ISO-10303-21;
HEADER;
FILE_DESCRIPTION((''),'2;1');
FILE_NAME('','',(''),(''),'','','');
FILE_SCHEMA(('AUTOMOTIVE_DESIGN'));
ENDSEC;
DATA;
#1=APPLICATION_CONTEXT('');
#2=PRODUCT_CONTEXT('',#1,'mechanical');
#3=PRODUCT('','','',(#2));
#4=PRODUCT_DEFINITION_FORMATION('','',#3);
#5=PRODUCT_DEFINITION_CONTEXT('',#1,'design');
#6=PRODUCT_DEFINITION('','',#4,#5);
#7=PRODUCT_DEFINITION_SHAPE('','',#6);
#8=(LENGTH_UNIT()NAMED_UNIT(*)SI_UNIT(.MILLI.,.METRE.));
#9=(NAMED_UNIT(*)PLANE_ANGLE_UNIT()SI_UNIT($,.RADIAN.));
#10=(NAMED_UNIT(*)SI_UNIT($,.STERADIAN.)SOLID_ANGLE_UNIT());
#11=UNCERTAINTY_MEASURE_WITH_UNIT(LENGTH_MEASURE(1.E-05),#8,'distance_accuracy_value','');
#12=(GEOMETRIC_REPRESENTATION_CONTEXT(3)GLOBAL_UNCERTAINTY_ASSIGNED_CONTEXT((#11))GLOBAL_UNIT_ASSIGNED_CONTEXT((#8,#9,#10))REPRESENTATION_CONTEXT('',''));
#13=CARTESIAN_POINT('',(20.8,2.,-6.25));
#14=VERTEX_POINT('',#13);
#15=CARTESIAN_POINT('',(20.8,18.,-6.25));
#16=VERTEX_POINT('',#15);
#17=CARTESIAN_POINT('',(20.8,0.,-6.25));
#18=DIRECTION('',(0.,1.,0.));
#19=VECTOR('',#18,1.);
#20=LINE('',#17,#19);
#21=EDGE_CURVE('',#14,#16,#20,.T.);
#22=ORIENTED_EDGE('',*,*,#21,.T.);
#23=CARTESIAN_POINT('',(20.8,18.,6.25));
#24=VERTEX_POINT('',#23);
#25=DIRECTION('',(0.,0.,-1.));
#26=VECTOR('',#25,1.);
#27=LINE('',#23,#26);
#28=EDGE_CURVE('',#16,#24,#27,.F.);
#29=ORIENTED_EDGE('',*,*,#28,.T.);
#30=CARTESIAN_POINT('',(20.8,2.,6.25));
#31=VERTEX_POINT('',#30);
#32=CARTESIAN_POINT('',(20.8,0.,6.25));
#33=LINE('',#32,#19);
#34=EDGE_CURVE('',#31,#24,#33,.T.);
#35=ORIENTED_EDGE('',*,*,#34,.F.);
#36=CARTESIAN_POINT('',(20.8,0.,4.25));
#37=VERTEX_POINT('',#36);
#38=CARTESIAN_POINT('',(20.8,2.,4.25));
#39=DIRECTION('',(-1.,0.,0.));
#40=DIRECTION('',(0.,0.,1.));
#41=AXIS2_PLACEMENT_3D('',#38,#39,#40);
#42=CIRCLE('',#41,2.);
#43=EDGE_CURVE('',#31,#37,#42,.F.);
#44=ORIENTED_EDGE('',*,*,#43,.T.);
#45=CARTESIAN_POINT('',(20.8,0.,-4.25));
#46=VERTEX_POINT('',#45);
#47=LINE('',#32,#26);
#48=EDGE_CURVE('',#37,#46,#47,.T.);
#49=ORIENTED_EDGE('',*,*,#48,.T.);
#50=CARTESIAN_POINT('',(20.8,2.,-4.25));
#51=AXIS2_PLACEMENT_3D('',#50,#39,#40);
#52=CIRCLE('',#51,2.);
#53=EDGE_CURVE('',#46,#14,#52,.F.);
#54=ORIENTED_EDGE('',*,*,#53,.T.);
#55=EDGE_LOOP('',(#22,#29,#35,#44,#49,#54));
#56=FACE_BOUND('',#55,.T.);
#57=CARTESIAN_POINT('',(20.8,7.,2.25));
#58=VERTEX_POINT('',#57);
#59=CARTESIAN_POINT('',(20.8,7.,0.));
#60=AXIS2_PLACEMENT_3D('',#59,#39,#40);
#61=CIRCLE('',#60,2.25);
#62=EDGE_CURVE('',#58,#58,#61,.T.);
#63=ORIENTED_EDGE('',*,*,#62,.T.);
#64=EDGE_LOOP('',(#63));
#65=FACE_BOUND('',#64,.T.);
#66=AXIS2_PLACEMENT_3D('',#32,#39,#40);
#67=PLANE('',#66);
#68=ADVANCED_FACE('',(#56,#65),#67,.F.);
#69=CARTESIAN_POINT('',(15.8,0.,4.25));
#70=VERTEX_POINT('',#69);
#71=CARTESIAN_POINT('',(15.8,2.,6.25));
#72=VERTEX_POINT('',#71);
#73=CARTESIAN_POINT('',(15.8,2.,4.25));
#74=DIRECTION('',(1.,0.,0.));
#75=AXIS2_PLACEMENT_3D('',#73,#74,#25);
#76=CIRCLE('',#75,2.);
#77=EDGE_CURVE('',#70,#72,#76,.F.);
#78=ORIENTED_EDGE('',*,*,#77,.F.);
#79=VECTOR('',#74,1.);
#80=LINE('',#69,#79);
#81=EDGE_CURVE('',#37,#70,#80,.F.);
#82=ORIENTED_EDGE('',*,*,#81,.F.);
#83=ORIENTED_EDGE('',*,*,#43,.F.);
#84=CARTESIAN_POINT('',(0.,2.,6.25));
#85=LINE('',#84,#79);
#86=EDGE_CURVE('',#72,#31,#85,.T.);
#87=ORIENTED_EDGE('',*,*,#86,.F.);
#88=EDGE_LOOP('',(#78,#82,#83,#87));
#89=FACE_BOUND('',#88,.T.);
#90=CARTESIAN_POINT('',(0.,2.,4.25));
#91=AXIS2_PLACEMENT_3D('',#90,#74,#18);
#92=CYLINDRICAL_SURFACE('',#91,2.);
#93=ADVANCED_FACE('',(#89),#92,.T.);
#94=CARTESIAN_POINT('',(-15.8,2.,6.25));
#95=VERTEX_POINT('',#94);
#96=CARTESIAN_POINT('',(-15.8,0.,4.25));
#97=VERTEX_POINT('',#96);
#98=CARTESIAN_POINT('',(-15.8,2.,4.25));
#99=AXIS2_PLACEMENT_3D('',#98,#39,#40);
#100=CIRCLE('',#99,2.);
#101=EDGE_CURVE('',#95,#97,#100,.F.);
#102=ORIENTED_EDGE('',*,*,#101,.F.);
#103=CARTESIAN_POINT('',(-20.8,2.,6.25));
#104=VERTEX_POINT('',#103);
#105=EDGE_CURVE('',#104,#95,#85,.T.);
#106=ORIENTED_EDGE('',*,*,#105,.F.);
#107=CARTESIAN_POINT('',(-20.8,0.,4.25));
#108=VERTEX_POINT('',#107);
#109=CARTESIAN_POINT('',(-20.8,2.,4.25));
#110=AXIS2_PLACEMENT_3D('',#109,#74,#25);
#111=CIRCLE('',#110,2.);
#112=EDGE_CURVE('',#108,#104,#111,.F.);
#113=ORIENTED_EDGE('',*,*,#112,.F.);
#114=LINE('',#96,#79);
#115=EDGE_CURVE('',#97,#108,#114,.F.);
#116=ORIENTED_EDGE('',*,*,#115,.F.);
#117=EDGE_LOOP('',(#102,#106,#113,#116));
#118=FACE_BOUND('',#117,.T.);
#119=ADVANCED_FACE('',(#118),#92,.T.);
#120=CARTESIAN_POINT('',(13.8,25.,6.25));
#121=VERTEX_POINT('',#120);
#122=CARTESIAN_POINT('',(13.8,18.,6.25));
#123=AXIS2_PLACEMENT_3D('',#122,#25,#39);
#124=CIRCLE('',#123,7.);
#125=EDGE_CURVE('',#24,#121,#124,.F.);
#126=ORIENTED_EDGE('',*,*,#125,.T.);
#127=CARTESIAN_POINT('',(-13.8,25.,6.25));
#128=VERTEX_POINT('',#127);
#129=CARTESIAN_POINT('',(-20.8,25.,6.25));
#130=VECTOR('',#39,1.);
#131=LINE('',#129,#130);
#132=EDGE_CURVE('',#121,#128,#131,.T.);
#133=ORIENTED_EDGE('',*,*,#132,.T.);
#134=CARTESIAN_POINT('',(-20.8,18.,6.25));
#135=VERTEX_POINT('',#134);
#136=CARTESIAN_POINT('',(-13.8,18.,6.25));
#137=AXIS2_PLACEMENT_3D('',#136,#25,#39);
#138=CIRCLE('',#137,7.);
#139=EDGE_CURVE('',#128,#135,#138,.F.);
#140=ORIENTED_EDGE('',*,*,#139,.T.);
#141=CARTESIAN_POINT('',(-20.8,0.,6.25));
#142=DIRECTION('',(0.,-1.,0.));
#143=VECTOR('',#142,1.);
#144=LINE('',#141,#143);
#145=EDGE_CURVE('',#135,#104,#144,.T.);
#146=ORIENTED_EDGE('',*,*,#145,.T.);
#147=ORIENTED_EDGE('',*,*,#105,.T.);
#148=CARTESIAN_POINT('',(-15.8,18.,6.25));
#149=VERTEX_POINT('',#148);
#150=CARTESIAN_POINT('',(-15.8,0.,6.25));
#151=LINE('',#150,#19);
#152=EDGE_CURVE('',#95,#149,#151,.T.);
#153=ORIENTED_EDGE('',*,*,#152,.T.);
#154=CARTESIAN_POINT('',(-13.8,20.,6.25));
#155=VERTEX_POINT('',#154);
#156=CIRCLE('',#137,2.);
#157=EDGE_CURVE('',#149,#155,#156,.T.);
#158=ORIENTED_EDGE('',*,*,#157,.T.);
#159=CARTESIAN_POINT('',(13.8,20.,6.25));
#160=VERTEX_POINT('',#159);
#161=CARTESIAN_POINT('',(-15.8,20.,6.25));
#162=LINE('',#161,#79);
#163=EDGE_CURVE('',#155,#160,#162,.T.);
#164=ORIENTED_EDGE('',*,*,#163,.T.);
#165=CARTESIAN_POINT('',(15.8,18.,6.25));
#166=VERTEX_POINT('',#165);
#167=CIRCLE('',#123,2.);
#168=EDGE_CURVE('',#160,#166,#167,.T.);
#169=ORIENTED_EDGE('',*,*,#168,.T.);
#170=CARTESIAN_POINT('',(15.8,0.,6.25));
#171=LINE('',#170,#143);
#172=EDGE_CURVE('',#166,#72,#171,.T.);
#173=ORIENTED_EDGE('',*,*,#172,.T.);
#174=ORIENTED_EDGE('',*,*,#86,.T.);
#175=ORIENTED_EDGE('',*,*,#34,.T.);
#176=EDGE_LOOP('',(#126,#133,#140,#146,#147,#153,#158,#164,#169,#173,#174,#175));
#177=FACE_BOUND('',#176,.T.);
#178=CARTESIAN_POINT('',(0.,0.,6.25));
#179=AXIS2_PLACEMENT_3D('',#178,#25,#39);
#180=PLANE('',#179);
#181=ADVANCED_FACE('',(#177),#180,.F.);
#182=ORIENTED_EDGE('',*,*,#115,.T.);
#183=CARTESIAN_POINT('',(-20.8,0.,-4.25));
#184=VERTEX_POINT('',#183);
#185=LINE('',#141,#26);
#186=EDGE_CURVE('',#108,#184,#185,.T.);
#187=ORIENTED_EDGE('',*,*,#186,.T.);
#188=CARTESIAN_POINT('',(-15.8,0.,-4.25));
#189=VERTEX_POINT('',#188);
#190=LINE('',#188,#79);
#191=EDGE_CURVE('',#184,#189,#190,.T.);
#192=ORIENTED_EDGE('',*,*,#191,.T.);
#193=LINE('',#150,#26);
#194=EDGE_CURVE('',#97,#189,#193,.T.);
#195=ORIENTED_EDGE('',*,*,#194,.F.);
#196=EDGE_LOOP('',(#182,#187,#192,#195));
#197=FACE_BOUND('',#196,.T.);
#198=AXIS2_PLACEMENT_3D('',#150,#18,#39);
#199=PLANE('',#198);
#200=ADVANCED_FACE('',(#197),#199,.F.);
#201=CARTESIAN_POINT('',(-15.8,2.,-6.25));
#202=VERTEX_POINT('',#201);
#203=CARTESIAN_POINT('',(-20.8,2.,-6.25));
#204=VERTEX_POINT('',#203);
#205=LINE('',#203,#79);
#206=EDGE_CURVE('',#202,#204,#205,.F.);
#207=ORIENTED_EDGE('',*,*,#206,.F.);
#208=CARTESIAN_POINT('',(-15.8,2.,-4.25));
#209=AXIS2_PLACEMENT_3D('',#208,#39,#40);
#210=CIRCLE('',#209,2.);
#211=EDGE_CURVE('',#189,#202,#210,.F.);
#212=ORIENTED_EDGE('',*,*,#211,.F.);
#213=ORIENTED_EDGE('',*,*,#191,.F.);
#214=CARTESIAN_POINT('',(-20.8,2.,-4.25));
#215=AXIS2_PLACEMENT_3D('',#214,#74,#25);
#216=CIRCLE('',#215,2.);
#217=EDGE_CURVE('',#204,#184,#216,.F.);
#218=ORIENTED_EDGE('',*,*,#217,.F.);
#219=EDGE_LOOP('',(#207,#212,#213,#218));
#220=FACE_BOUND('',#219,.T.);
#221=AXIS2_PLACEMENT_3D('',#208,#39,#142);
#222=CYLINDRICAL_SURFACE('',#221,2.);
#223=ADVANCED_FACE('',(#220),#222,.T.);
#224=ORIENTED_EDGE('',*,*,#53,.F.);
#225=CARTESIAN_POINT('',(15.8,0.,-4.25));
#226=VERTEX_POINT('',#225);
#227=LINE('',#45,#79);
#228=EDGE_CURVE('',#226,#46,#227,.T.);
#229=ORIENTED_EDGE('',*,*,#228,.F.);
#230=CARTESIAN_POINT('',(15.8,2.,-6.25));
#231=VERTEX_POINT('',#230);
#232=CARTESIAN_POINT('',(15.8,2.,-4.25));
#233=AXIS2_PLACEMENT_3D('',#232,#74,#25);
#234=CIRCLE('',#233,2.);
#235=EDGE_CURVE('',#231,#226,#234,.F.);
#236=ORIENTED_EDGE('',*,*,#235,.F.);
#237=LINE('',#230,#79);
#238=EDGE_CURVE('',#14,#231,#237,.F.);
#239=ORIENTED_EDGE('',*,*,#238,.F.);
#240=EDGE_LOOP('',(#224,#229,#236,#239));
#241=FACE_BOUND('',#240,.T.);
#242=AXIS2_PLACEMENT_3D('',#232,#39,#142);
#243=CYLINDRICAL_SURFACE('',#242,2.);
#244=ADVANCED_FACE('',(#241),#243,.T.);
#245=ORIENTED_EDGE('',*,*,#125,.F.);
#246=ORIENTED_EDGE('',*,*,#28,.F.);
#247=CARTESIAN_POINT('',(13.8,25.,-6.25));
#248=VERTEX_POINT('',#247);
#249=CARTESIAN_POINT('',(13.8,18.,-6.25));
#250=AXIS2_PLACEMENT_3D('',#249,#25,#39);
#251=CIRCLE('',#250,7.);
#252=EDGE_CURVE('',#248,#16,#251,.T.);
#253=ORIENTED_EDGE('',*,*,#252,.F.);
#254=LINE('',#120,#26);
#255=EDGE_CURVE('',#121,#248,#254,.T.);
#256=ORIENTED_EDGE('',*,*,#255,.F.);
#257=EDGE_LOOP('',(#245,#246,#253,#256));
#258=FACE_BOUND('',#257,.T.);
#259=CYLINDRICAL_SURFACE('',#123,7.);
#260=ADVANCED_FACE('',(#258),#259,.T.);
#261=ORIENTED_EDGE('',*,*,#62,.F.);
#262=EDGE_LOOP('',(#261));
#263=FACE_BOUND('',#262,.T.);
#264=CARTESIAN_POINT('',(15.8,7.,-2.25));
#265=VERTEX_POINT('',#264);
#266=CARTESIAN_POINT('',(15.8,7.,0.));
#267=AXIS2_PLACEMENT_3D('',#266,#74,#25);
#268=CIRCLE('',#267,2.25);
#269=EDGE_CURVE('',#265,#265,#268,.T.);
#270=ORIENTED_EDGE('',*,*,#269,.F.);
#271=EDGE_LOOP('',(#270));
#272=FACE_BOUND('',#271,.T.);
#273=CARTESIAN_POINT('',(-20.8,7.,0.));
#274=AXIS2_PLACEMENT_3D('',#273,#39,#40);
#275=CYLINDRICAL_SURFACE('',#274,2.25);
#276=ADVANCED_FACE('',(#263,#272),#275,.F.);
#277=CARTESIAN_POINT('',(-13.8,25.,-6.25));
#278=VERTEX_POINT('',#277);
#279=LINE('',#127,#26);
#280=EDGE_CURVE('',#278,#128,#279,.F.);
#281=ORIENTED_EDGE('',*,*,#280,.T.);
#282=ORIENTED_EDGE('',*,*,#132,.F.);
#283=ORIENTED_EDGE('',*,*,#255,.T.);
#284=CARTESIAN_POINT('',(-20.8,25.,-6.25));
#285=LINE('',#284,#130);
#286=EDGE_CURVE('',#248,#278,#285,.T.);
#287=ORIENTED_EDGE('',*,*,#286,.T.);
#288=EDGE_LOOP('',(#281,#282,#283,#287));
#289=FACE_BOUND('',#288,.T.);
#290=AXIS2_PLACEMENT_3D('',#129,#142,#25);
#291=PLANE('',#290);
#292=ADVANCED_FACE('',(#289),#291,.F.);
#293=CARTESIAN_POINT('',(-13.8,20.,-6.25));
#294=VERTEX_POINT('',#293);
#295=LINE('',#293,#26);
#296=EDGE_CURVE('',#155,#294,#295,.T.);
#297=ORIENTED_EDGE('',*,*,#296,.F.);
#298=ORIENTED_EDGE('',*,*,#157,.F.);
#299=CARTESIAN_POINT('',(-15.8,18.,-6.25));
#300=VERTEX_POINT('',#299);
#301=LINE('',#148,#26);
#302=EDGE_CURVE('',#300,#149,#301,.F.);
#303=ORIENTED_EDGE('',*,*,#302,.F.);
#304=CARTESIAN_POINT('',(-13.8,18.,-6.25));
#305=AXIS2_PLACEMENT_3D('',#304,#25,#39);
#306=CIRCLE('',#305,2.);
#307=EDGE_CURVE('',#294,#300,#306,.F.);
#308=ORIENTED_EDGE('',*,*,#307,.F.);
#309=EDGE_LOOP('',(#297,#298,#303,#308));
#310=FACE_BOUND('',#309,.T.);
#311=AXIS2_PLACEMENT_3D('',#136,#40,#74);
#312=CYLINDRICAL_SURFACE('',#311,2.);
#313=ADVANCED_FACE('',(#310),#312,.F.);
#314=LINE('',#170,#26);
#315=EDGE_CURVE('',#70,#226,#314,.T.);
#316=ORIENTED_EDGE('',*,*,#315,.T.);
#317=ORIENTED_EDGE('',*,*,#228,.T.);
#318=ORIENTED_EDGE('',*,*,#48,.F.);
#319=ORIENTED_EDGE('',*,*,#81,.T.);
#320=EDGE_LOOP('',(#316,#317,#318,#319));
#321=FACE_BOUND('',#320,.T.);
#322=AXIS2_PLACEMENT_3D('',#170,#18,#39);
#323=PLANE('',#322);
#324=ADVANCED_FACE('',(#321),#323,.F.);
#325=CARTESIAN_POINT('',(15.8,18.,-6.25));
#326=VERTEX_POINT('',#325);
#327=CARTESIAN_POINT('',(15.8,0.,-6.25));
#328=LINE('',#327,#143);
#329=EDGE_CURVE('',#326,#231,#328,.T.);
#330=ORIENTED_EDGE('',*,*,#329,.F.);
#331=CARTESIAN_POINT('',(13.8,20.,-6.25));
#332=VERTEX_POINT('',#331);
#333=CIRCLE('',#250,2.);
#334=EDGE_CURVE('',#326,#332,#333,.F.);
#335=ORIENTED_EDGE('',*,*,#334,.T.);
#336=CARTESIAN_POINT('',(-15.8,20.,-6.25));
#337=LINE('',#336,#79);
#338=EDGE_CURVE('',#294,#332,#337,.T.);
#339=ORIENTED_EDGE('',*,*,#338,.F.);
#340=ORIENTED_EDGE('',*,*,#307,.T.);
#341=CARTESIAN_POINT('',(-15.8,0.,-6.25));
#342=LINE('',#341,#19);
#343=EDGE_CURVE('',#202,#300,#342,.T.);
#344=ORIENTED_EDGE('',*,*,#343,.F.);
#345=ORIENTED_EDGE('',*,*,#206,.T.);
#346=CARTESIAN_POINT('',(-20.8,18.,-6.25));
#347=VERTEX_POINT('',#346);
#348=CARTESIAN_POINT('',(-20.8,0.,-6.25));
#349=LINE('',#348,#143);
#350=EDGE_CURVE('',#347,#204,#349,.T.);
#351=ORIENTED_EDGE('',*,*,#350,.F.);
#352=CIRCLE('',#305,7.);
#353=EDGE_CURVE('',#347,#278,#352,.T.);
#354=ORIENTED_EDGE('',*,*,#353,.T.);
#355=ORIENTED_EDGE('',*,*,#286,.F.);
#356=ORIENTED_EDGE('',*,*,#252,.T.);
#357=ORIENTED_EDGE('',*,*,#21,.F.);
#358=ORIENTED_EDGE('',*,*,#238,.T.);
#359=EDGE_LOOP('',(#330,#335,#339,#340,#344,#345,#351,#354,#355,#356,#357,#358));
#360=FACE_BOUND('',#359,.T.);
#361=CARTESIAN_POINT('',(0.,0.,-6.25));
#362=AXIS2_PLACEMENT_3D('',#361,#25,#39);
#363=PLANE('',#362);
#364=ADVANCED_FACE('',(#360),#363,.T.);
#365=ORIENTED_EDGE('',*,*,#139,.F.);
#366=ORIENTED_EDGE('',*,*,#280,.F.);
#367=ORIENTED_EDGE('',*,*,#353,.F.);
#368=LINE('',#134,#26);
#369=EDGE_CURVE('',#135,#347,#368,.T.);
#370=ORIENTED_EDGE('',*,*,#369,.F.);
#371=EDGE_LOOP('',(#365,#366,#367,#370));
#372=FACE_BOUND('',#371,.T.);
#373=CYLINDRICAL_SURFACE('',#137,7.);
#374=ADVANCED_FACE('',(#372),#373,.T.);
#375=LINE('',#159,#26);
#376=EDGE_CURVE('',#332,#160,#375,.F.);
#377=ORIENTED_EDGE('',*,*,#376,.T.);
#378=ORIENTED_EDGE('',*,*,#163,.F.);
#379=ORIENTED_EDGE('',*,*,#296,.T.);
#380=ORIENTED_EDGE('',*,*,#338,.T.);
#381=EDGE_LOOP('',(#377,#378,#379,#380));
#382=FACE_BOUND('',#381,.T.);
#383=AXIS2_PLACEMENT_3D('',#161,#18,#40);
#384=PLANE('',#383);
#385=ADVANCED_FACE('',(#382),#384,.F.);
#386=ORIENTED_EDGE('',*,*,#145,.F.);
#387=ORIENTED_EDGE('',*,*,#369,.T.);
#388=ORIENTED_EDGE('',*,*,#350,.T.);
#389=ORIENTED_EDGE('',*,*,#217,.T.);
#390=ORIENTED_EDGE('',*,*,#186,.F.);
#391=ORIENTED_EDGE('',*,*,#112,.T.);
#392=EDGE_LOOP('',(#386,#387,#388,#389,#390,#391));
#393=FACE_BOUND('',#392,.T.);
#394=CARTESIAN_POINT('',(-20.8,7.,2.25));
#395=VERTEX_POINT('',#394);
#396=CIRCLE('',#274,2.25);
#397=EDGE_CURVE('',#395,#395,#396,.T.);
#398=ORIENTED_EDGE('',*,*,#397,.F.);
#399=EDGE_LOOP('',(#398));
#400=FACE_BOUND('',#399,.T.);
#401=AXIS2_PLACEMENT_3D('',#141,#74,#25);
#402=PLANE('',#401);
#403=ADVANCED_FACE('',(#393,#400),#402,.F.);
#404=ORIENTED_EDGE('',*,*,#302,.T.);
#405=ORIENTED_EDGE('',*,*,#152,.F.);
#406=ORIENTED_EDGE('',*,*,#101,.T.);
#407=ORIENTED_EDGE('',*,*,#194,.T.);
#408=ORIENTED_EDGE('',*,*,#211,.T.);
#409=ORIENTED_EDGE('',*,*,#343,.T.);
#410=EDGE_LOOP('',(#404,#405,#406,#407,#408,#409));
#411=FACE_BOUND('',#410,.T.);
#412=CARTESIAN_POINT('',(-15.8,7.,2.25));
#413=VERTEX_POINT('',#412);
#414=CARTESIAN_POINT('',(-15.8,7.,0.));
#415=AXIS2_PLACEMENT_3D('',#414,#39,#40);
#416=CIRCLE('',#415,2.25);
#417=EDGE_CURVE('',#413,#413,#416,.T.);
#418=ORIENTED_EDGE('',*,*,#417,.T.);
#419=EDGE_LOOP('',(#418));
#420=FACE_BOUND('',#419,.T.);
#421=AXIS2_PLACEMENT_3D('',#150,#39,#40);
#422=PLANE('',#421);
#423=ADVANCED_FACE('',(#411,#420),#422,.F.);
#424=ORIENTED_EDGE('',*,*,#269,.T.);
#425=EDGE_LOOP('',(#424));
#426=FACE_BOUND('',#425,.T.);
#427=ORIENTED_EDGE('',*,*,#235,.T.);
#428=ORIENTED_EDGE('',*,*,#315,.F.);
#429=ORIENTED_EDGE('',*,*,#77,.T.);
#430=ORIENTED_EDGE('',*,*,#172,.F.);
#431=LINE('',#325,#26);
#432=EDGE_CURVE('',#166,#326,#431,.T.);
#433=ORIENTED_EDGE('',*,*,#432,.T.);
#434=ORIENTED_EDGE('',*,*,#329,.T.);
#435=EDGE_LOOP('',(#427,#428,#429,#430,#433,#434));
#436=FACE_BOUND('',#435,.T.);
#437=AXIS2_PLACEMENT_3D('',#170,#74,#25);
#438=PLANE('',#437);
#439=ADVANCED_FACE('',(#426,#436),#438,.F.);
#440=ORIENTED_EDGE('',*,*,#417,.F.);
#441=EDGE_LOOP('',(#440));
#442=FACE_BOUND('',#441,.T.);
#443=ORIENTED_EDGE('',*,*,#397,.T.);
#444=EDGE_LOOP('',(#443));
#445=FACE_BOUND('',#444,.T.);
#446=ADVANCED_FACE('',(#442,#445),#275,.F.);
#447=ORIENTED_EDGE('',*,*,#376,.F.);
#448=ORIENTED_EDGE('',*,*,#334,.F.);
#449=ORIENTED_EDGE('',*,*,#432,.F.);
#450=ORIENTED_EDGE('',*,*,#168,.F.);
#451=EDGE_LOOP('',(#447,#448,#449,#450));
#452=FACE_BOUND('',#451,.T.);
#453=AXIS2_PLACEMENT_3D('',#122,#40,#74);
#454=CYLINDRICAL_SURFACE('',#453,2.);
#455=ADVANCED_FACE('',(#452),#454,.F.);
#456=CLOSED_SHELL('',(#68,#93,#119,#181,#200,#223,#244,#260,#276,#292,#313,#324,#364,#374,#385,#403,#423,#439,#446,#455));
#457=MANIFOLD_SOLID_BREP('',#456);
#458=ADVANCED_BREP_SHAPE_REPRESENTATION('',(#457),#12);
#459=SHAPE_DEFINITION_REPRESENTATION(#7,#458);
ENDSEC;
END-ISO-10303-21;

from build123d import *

# Parameters (mm, degrees)
BOSS_EXTRUDE1_DEPTH  = 6.25
FILLET1_R            = 2
FILLET2_R            = 7
FILLET3_R            = 2
M4_CLEARANCE_HOLE1_D = 4.5


with BuildPart() as part:
    # Sketch1 → Boss-Extrude1 (new body, symmetric)
    with BuildSketch(Plane.XY):
        Polygon((-15.8, 0), (-20.8, 0), (-20.8, 25), (20.8, 25), (20.8, 0), (15.8, 0), (15.8, 20), (-15.8, 20), align=None)
    extrude(amount=BOSS_EXTRUDE1_DEPTH, both=True)

    # Fillet1
    fillet1_edges = [part.edges().sort_by_distance(p)[0] for p in [
        (15.8, 20, 0),
        (-15.8, 20, 0),
    ]]
    fillet(fillet1_edges, radius=FILLET1_R)

    # Fillet2
    fillet2_edges = [part.edges().sort_by_distance(p)[0] for p in [
        (-20.8, 25, 0),
        (20.8, 25, 0),
    ]]
    fillet(fillet2_edges, radius=FILLET2_R)

    # Fillet3
    fillet3_edges = [part.edges().sort_by_distance(p)[0] for p in [
        (18.3, 0, -6.25),
        (18.3, 0, 6.25),
        (-18.3, 0, 6.25),
        (-18.3, 0, -6.25),
    ]]
    fillet(fillet3_edges, radius=FILLET3_R)

    # M4 Clearance Hole1 (through all)
    with Locations(Plane.ZY.offset(20.8)):
        with Locations((0, 7)):
            Hole(M4_CLEARANCE_HOLE1_D / 2)


solid = part.part
